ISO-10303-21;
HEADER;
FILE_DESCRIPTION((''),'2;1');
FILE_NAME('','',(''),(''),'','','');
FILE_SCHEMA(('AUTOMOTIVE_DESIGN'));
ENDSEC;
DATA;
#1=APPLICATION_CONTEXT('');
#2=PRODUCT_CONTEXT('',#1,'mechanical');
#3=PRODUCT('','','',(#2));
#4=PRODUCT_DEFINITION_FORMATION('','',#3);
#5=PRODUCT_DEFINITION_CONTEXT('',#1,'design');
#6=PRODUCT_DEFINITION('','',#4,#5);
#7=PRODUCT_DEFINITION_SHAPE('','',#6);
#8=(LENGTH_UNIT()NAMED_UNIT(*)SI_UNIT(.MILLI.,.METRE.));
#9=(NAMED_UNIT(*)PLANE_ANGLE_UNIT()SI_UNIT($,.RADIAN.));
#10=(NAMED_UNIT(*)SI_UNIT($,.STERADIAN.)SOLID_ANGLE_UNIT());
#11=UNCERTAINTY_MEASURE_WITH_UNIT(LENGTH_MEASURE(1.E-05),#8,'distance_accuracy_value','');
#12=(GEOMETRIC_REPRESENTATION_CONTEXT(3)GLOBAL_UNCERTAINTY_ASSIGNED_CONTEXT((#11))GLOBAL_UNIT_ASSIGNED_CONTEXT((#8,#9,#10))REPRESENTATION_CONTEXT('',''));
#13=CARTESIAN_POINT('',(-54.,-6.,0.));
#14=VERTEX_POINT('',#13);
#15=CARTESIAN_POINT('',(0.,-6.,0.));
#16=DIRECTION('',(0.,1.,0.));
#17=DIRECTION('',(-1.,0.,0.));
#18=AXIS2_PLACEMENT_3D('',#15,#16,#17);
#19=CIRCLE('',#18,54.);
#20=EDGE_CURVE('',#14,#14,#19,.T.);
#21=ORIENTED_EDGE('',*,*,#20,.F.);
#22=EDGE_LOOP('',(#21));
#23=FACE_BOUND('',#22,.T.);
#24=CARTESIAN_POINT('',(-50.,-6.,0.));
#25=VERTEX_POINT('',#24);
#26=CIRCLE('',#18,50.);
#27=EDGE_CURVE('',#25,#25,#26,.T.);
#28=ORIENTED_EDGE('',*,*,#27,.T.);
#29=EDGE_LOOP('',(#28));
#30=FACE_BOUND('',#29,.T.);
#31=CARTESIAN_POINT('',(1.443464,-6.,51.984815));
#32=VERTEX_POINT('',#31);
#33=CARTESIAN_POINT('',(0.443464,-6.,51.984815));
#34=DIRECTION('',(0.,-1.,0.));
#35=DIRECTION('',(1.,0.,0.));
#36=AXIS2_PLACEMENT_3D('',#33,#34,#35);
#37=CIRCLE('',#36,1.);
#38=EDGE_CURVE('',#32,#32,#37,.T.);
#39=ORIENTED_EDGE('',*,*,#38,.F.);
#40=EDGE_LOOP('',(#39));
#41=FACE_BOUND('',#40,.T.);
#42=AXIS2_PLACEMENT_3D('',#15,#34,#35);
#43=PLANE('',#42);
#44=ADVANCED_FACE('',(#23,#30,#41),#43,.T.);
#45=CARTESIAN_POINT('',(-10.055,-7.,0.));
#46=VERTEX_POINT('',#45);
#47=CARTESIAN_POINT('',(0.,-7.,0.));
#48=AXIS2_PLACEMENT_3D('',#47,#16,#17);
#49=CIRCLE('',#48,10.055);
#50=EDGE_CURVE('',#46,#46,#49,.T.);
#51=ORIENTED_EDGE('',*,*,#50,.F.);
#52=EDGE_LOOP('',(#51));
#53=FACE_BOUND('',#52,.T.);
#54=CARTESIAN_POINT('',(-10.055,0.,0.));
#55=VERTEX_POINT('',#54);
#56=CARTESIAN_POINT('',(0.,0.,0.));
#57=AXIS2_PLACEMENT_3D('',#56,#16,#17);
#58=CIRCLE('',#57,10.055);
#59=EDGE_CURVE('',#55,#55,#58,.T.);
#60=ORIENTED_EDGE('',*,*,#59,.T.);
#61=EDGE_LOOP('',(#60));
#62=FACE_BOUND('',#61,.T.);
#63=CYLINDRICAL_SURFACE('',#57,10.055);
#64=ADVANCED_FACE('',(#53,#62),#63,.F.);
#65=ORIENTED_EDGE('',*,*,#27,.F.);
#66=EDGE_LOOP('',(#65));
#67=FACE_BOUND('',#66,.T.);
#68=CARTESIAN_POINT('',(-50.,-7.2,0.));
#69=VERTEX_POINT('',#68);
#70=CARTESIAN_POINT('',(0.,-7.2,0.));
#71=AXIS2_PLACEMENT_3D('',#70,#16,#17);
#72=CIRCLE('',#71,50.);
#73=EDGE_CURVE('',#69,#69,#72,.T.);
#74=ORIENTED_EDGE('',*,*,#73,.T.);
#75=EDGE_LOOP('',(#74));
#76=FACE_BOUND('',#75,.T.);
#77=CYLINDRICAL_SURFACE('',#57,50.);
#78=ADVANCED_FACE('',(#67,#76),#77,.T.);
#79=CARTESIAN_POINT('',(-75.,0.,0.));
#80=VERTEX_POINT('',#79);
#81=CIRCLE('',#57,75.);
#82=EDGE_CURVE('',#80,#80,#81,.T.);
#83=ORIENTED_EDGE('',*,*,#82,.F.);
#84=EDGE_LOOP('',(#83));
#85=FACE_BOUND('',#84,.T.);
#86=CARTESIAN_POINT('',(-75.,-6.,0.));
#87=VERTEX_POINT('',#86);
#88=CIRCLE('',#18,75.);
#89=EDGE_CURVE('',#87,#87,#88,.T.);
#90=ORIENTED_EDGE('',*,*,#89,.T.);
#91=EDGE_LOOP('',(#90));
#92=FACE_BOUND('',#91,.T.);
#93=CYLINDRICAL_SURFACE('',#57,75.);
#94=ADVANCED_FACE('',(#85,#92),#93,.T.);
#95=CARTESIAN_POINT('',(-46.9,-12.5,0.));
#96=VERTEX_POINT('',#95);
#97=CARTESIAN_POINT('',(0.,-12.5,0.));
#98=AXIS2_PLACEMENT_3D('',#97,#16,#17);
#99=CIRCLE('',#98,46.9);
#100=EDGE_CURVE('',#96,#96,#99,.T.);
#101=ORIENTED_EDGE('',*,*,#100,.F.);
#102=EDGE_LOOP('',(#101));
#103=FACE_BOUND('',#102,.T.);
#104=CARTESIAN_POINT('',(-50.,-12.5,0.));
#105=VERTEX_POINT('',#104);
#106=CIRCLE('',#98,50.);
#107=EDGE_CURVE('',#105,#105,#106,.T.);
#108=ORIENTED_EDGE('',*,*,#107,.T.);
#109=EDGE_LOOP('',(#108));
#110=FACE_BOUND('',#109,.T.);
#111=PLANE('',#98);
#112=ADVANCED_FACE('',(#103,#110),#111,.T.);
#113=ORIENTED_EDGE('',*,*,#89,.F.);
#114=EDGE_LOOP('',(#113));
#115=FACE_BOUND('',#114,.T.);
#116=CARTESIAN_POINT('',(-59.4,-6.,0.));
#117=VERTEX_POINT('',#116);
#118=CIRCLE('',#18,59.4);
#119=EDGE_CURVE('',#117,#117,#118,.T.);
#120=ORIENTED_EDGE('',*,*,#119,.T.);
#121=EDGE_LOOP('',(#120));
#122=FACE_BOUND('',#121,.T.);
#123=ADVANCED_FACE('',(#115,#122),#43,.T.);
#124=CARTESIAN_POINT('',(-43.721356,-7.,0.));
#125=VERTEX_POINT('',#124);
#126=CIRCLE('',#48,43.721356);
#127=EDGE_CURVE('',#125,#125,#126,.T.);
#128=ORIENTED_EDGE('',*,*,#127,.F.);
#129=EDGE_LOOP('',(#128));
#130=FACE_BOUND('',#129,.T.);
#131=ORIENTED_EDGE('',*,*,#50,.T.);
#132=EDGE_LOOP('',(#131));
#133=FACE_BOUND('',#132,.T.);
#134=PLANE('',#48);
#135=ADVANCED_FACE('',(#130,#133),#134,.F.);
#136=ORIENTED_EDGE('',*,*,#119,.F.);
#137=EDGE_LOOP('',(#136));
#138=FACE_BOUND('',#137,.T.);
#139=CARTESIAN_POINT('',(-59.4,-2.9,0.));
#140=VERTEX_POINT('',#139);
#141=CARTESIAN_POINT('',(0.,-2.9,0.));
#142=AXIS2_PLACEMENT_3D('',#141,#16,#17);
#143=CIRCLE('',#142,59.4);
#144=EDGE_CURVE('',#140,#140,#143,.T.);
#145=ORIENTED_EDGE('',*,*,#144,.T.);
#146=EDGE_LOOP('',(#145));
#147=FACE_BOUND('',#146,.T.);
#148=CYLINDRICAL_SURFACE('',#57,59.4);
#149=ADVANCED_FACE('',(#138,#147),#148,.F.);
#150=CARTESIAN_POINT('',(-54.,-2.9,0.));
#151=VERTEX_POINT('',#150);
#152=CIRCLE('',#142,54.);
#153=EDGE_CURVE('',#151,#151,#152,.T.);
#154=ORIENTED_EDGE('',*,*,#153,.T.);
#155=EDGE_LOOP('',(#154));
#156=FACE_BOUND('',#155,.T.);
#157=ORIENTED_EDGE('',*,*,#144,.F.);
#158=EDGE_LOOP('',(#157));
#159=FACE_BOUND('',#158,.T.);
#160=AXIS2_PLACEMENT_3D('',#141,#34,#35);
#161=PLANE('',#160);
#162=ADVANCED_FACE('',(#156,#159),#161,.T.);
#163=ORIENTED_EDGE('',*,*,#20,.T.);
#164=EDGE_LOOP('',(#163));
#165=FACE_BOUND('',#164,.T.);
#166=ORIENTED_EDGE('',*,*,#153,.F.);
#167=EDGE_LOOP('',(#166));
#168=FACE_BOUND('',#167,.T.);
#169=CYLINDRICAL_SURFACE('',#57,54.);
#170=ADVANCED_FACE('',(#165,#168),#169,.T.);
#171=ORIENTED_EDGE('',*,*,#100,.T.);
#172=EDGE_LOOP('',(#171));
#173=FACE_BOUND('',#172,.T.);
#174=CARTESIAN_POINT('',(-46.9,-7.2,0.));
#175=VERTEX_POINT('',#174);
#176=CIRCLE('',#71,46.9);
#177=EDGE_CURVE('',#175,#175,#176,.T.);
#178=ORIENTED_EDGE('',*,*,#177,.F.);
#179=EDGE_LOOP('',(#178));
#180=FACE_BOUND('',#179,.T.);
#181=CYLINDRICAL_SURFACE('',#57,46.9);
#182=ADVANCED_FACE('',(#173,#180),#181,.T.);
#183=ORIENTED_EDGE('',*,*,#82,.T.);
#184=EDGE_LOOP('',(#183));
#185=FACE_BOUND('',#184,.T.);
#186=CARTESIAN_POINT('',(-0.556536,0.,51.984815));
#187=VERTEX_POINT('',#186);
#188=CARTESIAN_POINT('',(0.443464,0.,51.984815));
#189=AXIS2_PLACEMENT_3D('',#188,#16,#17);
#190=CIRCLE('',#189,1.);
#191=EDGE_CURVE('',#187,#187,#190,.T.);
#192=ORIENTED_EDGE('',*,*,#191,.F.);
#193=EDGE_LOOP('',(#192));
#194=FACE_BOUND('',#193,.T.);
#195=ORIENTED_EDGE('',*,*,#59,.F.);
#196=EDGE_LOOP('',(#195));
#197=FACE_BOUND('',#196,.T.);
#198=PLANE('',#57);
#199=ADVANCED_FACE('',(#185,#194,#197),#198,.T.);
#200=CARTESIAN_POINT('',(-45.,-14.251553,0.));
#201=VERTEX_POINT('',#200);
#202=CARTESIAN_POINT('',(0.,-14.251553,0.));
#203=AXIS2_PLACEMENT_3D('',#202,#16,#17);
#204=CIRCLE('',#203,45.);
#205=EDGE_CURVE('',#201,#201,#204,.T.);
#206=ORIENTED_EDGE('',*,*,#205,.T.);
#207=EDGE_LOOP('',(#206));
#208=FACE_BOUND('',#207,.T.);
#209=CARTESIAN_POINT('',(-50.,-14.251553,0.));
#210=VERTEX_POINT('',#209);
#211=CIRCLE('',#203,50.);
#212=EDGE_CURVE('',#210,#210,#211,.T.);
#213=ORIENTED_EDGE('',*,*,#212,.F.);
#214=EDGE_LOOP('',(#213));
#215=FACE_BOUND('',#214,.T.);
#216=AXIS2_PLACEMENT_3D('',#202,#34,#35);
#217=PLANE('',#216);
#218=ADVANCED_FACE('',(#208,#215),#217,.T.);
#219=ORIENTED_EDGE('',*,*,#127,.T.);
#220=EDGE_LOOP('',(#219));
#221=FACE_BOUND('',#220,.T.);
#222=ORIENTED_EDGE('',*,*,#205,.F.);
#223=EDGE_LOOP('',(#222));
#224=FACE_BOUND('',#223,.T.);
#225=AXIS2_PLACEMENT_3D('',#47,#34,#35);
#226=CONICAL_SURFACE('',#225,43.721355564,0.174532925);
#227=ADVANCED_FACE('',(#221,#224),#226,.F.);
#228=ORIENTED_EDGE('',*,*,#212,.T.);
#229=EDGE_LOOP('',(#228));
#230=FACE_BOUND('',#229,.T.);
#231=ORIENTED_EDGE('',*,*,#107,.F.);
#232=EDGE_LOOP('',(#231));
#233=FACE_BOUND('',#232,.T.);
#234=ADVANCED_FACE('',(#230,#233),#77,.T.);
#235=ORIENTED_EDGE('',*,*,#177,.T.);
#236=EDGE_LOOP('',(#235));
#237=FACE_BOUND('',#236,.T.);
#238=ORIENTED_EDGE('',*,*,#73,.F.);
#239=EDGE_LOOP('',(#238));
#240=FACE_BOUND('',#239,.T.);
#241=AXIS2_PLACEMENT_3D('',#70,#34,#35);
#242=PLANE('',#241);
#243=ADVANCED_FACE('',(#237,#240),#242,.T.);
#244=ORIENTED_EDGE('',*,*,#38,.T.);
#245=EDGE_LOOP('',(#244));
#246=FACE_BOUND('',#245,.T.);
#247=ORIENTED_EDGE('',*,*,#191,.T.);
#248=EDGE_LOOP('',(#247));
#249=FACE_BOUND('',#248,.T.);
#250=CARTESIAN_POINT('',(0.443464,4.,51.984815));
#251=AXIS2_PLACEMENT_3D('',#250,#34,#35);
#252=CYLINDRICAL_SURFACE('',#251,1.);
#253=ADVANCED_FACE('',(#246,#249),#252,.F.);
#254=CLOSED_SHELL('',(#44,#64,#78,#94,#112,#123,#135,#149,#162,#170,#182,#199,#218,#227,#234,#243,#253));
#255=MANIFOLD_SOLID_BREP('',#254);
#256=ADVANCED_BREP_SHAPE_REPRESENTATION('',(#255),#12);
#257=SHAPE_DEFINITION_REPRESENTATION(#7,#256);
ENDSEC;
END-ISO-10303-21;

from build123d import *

# Parameters (mm, degrees)
SZKIC2_R                   = 1
WYTNIJ_WYCI_GNI_CIE1_DEPTH = 10


with BuildPart() as part:
    # Szkic1 → Obrót1 (revolve)
    with BuildSketch(Plane.XY):
        Polygon((-10.055, -7), (-10.055, 0), (-75, 0), (-75, -6), (-59.4, -6), (-59.4, -2.9), (-54, -2.9), (-54, -6), (-50, -6), (-50, -7.2), (-46.9, -7.2), (-46.9, -12.5), (-50, -12.5), (-50, -14.251552945), (-45, -14.251552945), (-43.721355564, -7), align=None)
    revolve(axis=Axis((0, 0, 0), (0, -1, 0)))

    # Szkic2 → Wytnij-wyciągnięcie1 (cut)
    with BuildSketch(Plane.XZ.offset(6)):
        with Locations((0.44346391, 51.984815166)):
            Circle(SZKIC2_R)
    extrude(amount=-WYTNIJ_WYCI_GNI_CIE1_DEPTH, mode=Mode.SUBTRACT)


solid = part.part
